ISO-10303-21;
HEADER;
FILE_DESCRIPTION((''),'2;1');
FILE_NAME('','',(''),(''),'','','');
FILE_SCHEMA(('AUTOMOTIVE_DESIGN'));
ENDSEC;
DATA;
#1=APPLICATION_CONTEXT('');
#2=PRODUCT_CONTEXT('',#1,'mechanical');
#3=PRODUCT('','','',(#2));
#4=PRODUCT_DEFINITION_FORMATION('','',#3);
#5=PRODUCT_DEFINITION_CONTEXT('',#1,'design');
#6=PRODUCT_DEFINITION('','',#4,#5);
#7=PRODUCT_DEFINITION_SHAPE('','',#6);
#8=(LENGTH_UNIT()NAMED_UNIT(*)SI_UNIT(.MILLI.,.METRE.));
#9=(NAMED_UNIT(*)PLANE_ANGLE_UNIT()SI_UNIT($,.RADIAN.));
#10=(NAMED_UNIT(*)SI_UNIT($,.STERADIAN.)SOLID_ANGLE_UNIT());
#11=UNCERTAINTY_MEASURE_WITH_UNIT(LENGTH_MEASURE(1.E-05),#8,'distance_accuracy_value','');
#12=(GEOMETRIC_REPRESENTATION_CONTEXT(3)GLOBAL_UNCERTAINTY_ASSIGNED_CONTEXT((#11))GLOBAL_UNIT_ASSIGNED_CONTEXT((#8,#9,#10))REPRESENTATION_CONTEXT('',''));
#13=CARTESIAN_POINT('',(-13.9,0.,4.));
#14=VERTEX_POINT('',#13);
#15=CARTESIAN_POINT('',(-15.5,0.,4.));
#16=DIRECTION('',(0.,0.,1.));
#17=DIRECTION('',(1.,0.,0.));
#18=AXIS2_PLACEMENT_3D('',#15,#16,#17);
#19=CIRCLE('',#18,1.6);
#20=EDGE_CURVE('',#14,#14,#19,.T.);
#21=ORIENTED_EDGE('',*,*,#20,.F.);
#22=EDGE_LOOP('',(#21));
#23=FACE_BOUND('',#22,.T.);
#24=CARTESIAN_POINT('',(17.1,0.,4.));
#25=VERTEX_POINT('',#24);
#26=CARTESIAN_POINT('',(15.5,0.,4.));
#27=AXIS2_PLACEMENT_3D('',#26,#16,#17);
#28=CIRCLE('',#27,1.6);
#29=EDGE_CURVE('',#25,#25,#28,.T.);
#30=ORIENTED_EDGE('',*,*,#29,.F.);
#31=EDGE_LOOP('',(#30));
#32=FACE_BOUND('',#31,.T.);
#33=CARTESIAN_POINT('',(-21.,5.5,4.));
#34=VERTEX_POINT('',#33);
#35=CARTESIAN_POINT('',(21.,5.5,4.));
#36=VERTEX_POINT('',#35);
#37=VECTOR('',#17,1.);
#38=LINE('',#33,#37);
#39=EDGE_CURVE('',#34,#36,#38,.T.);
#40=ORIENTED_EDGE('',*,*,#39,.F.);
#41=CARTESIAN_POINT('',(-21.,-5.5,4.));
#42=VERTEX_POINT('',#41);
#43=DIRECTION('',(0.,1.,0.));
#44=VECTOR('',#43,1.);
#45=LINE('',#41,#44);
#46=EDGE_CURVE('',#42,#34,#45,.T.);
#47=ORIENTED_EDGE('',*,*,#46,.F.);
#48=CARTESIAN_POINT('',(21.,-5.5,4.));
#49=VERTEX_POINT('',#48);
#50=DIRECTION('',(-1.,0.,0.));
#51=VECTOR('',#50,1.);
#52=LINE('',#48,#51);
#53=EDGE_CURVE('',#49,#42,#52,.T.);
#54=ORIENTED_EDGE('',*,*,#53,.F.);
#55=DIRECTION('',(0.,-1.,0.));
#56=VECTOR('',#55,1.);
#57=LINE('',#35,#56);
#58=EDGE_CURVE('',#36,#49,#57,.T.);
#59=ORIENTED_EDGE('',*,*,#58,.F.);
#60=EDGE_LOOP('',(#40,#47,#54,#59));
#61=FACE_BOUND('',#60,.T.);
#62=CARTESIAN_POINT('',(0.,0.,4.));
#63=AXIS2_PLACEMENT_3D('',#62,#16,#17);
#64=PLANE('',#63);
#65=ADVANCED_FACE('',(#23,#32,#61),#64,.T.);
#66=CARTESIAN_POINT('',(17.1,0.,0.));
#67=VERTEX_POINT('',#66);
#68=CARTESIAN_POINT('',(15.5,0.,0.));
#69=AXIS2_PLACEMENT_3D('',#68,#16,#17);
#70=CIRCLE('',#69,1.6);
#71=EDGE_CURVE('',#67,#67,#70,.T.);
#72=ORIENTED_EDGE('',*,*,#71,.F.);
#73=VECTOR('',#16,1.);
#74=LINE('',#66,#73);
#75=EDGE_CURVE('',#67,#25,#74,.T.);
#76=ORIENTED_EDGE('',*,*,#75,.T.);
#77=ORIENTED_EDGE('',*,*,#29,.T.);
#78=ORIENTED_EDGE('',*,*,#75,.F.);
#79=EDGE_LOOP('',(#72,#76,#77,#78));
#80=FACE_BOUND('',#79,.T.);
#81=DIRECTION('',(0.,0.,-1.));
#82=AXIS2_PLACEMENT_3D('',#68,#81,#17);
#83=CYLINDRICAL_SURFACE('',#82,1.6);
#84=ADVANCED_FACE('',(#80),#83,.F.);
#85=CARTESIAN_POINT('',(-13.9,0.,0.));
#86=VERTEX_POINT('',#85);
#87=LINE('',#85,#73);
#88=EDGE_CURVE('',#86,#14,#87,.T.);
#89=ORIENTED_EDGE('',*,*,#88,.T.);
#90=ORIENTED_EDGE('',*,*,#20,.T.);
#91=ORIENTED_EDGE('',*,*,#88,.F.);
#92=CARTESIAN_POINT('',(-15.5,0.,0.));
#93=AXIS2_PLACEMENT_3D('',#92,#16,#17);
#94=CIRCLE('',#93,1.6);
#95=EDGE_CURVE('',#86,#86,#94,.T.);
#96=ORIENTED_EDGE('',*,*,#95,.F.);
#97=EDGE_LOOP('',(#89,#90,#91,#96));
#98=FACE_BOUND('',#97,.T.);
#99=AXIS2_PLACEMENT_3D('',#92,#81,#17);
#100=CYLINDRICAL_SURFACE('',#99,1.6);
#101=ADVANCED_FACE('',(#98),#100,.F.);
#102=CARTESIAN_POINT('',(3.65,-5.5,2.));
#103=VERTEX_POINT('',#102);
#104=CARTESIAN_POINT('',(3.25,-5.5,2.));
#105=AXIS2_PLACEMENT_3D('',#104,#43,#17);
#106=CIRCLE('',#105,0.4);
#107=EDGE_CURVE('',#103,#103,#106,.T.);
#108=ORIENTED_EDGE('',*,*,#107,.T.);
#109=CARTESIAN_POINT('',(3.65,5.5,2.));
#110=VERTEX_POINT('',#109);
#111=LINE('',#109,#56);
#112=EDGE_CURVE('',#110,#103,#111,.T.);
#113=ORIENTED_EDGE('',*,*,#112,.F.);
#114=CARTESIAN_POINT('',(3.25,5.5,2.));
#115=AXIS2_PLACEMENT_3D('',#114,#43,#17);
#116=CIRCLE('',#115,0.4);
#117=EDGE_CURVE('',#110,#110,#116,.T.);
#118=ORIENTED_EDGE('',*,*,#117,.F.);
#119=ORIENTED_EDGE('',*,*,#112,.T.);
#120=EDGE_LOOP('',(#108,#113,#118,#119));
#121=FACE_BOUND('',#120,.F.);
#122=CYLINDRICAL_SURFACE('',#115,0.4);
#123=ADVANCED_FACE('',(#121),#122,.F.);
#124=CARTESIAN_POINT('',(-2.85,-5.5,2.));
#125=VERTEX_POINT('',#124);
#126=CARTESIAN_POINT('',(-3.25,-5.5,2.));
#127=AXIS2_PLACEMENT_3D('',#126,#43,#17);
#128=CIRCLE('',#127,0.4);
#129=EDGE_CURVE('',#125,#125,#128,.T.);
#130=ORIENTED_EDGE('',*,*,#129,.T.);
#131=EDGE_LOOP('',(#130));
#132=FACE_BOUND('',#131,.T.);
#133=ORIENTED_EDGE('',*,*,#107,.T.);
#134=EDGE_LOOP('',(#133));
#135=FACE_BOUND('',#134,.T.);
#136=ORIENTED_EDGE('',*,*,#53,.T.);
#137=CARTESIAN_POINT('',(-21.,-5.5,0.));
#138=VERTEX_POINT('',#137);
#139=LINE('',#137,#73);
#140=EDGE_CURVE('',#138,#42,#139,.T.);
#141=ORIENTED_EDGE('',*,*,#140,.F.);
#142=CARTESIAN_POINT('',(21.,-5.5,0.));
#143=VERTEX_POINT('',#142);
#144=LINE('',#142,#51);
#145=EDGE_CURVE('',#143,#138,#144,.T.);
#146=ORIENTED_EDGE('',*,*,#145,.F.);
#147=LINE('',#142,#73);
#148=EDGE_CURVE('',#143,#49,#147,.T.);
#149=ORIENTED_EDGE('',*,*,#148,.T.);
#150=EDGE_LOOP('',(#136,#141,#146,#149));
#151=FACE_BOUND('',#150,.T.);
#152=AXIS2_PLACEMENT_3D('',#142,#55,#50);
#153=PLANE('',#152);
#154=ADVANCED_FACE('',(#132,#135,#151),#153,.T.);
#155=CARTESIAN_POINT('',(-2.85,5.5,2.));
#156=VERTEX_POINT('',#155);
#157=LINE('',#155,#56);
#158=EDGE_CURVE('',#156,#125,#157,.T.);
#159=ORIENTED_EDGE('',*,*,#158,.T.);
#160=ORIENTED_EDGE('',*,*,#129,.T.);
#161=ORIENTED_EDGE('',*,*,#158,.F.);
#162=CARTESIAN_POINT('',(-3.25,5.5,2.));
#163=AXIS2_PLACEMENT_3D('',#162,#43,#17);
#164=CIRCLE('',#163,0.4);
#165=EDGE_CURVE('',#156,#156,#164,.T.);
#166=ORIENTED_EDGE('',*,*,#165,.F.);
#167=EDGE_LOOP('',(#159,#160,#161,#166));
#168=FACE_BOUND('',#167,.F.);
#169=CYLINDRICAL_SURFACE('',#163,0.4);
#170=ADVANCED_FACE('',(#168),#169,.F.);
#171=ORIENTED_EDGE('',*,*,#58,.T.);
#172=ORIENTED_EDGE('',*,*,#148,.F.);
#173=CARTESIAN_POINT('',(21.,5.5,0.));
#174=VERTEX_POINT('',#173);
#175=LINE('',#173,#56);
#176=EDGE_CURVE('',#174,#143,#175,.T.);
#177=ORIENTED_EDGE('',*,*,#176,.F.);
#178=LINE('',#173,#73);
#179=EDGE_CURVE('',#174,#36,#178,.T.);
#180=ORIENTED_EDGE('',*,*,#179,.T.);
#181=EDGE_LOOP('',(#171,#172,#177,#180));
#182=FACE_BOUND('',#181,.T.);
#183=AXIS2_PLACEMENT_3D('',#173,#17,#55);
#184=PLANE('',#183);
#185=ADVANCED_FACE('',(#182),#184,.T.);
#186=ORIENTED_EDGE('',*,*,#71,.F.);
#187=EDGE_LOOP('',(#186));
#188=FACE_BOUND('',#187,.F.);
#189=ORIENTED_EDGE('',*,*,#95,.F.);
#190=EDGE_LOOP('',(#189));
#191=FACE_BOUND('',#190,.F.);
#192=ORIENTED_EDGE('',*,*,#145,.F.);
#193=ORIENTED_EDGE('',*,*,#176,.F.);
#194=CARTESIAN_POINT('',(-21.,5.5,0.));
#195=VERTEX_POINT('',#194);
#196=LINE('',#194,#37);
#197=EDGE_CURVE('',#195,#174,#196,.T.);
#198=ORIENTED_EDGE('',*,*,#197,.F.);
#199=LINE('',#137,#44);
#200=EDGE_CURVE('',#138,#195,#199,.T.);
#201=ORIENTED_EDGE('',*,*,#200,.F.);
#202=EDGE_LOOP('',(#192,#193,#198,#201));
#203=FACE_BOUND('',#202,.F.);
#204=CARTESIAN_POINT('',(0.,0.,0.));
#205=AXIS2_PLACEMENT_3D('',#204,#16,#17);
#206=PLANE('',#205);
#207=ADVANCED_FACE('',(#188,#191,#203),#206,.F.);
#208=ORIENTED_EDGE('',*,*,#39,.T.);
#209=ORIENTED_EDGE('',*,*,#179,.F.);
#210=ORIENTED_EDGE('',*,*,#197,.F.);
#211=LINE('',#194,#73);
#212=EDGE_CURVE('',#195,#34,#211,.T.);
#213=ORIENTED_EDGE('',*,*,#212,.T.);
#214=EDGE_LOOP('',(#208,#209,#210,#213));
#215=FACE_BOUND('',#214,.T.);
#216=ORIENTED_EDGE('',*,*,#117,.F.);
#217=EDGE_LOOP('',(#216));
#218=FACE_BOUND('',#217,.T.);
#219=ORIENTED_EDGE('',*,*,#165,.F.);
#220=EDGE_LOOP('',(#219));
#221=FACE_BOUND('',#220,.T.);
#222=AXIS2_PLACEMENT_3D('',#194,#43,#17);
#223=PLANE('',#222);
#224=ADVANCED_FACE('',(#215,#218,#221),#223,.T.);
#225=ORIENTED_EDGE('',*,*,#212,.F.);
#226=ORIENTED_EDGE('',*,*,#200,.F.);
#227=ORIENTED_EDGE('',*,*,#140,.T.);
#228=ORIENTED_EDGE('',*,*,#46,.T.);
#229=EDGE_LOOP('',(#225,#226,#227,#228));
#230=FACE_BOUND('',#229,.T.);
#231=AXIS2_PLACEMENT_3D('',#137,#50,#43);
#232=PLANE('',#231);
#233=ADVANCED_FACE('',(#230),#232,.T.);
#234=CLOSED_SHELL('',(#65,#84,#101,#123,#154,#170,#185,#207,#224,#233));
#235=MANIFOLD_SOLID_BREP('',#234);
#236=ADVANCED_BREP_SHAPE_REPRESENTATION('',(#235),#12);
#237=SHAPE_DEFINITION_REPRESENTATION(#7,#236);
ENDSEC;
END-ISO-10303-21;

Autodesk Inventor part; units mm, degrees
ref_plane "YZ Plane" through (0, 0, 0) normal (1, 0, 0) x (0, 1, 0)
ref_plane "XZ Plane" through (0, 0, 0) normal (0, 1, 0) x (-1, 0, 0)
ref_plane "XY Plane" through (0, 0, 0) normal (0, 0, 1) x (1, 0, 0)
sketch "Sketch1" plane through (0, 0, 0) normal (0, 0, 1) x (1, 0, 0)
  line L0 (-21, 5.5) -> (21, 5.5)
  line L1 (21, 5.5) -> (21, -5.5)
  line L2 (21, -5.5) -> (-21, -5.5)
  line L3 (-21, -5.5) -> (-21, 5.5)
  circle A0 centre (-15.5, 0) radius 1.6
  circle A1 centre (15.5, 0) radius 1.6
  point P0 (0, 0)
  point P1 (0, 5.5)
  point P2 (-21, 0)
  dimension "d0" = 31
  dimension "d1" = 15.5
  dimension "d2" = 5.5
  dimension "d3" = 5.5
  dimension "d4" = 3.2
extrude "Extrusion1" add sketch "Sketch1" along normal blind 4
sketch "Sketch2" plane through (-21, 5.5, 0) normal (0, 1, 0) x (1, 0, 0)
  circle A0 centre (24.25, -2) radius 0.4
  circle A1 centre (17.75, -2) radius 0.4
  line L0 (0, 0) -> (0, -4) projected
  point P0 (21, 0)
  point P1 (0, -2)
  dimension "d7" = 6.5
  dimension "d8" = 3.25
  dimension "d9" = 0.8
extrude "Extrusion2" cut sketch "Sketch2" against normal through all
equation "\"d1\" = 0.5 * d0"
equation "\"d8\" = 0.5 * d7"
properties part number "Endschalterhalter"
